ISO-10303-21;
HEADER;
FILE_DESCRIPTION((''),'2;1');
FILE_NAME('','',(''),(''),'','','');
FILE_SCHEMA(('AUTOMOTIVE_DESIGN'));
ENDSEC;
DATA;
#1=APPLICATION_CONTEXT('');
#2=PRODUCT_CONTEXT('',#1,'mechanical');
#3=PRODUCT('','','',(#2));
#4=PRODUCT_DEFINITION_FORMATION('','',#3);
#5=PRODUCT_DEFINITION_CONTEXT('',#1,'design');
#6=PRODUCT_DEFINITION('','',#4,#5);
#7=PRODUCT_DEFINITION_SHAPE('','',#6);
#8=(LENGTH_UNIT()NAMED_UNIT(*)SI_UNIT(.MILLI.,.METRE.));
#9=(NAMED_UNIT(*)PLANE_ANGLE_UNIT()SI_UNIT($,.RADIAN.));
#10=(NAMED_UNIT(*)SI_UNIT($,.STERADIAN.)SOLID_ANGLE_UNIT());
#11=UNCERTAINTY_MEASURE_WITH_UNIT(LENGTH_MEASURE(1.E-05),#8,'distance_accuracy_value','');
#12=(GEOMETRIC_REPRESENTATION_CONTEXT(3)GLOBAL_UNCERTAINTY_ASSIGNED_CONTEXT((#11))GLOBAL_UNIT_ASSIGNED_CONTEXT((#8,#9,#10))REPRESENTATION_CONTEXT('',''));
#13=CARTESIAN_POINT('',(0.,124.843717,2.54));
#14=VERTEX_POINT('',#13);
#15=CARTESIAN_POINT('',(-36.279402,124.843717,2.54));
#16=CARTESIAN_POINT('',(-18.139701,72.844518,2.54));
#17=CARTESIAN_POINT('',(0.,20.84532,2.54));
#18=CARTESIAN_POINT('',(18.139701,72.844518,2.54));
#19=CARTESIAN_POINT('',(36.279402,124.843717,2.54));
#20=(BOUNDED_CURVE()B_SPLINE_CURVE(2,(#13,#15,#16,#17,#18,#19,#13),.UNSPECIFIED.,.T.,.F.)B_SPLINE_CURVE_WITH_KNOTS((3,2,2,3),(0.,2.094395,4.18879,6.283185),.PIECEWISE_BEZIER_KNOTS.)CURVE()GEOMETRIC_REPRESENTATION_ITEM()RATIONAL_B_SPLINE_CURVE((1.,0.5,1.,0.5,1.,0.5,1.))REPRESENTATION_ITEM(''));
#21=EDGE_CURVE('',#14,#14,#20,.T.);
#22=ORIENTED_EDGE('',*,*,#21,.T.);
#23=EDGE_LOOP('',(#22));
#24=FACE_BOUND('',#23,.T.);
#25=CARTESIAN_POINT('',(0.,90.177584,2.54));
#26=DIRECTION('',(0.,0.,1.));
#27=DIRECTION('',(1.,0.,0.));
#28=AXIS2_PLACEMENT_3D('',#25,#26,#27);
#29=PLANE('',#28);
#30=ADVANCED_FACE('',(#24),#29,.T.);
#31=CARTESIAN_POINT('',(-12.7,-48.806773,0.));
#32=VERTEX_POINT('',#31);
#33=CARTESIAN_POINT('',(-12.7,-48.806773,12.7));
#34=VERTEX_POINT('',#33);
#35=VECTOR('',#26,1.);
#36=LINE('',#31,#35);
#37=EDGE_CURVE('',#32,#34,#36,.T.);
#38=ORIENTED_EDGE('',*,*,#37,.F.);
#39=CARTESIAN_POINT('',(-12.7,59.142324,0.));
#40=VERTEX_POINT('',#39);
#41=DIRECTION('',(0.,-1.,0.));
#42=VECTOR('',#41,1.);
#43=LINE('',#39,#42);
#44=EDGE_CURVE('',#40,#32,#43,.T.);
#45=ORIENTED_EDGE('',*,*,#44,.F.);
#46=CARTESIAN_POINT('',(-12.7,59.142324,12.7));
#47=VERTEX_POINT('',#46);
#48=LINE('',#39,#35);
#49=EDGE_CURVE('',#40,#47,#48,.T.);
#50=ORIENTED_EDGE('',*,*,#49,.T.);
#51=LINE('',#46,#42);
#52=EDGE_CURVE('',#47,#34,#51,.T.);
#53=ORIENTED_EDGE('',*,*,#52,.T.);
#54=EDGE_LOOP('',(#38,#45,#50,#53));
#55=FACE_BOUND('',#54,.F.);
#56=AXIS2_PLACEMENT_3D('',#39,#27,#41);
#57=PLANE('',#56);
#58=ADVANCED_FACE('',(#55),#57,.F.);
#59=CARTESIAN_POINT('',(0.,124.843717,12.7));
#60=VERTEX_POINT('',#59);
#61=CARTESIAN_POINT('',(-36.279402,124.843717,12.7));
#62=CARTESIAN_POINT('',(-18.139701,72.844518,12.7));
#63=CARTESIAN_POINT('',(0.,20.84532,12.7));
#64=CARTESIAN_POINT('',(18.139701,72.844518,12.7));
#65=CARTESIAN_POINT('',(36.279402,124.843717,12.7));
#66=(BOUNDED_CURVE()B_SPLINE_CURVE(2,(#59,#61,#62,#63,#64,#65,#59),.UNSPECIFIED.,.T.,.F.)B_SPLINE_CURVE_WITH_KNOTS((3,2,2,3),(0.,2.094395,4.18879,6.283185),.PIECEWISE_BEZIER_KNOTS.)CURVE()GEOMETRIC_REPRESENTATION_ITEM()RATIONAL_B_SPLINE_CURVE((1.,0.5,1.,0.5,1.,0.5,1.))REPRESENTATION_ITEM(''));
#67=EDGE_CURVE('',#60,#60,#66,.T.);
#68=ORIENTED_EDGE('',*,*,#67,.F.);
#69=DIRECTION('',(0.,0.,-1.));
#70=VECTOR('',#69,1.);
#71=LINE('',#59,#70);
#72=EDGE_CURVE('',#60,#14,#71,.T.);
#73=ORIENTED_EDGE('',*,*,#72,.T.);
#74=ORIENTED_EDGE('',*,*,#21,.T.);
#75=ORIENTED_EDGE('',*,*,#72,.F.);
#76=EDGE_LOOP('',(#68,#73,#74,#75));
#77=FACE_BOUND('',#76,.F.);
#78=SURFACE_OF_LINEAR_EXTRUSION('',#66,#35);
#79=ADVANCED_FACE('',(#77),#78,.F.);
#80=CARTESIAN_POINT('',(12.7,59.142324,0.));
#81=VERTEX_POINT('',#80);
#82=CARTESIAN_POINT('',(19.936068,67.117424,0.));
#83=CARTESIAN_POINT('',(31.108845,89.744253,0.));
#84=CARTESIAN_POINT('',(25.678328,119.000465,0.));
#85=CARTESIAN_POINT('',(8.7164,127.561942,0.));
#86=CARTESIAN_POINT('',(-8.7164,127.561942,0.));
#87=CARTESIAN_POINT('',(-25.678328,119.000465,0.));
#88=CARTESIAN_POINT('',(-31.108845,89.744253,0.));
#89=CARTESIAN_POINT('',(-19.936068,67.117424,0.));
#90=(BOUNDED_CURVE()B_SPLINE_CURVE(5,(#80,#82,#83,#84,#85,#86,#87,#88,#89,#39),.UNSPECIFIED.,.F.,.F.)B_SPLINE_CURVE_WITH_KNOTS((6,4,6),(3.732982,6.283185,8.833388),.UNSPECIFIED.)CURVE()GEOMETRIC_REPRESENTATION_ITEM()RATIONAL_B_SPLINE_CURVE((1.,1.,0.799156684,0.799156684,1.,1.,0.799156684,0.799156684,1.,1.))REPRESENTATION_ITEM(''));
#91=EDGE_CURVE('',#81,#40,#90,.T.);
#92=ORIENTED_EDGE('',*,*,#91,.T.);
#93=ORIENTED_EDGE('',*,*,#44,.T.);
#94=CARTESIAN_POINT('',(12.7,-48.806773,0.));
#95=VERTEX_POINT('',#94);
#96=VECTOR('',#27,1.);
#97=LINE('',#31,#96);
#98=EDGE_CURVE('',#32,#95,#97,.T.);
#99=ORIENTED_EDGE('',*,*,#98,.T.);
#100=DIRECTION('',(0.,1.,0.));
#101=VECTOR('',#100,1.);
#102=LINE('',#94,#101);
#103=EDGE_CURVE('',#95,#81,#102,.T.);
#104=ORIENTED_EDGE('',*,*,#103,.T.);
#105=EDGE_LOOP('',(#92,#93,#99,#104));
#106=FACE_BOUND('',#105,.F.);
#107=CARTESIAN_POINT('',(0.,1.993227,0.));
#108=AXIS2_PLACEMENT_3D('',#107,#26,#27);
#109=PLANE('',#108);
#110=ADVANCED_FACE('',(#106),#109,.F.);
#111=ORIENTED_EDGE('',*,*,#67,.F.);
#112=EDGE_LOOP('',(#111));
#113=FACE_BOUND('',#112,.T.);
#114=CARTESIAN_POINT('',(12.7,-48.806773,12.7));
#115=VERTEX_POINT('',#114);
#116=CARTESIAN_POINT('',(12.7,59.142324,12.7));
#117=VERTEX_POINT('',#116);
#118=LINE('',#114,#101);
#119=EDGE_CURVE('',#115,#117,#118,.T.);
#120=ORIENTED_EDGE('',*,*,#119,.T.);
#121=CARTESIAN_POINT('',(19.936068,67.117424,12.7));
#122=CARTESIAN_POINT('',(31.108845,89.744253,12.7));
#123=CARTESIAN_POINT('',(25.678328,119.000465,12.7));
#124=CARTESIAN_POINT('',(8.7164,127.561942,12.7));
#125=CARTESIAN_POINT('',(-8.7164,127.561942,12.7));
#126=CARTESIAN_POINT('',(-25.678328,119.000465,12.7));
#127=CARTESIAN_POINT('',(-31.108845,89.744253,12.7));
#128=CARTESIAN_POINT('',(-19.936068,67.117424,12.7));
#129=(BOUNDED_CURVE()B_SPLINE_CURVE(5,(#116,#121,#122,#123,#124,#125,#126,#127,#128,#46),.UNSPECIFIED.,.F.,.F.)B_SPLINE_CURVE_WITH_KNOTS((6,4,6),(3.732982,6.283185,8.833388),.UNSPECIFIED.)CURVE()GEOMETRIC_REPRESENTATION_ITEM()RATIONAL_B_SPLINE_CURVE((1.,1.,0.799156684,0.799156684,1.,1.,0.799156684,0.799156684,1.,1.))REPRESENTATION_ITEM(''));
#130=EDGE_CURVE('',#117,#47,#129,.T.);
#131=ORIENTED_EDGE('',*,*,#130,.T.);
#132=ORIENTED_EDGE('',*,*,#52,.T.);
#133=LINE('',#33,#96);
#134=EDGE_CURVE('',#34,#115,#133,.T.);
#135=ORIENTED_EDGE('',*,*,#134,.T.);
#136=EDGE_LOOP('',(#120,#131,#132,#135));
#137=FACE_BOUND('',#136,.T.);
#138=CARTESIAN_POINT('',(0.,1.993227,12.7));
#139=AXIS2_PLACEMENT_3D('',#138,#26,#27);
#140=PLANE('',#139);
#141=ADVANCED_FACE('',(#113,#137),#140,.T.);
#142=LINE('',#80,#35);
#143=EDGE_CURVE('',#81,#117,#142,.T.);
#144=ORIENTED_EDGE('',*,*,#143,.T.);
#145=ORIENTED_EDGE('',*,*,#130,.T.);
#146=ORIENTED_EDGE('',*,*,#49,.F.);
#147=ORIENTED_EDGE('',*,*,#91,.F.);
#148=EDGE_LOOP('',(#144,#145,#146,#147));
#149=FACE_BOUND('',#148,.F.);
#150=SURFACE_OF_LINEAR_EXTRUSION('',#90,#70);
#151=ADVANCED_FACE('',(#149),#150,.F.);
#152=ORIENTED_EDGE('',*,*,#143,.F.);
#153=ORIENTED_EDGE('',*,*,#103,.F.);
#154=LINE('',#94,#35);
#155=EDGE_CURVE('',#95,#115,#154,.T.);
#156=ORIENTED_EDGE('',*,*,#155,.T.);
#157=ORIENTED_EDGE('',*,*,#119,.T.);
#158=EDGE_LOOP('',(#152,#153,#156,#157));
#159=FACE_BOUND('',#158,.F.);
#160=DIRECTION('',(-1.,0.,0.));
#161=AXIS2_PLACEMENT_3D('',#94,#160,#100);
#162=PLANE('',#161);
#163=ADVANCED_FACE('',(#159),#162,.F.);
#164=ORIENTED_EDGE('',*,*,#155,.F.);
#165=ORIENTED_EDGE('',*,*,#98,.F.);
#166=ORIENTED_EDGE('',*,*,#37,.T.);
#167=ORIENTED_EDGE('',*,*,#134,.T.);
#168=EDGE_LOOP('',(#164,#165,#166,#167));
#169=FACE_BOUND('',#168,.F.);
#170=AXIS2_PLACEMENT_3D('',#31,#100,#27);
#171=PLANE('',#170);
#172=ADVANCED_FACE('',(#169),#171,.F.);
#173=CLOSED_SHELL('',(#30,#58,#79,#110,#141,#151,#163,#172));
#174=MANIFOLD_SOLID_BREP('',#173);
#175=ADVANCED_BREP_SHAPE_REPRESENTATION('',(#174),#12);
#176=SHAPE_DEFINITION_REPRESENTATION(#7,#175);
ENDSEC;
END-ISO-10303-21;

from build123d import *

# Parameters (mm, degrees)
F1_DEPTH = 12.7
F3_DEPTH = 10.16


with BuildPart() as f1:
    # F0 (on Top) → F1 (new body)
    with BuildSketch(Plane.XY):
        Polygon((-12.7, 52.793227), (-12.7, -48.806773), (12.7, -48.806773), (12.7, 52.793227), (0, 52.793227), align=None)
        with BuildLine():
            Line((-12.7, 59.142324), (-12.7, 52.793227))
            Line((-12.7, 52.793227), (0, 52.793227))
            add(Edge.make_bspline(
                [(-12.7, 59.142324), (-6.939257, 52.793227), (0, 52.793227)],
                knots=[2.550204, 2.550204, 2.550204, 3.141593, 3.141593, 3.141593], degree=2, weights=[1, 0.9566, 1]))
        make_face()
        with BuildLine():
            Line((0, 52.793227), (12.7, 52.793227))
            Line((12.7, 52.793227), (12.7, 59.142324))
            add(Edge.make_bspline(
                [(0, 52.793227), (6.939257, 52.793227), (12.7, 59.142324)],
                knots=[3.141593, 3.141593, 3.141593, 3.732982, 3.732982, 3.732982], degree=2, weights=[1, 0.9566, 1]))
        make_face()
        with BuildLine():
            add(Edge.make_bspline(
                [(-12.7, 59.142324), (-6.939257, 52.793227), (0, 52.793227)],
                knots=[2.550204, 2.550204, 2.550204, 3.141593, 3.141593, 3.141593], degree=2, weights=[1, 0.9566, 1]))
            add(Edge.make_bspline(
                [(0, 52.793227), (6.939257, 52.793227), (12.7, 59.142324)],
                knots=[3.141593, 3.141593, 3.141593, 3.732982, 3.732982, 3.732982], degree=2, weights=[1, 0.9566, 1]))
            add(Edge.make_bspline(
                [(12.7, 59.142324), (74.779348, 127.561942), (0, 127.561942)],
                knots=[3.732982, 3.732982, 3.732982, 6.283185, 6.283185, 6.283185], degree=2, weights=[1, 0.291404, 1]))
            add(Edge.make_bspline(
                [(0, 127.561942), (-74.779348, 127.561942), (-12.7, 59.142324)],
                knots=[0, 0, 0, 2.550204, 2.550204, 2.550204], degree=2, weights=[1, 0.291404, 1]))
        make_face()
    extrude(amount=F1_DEPTH)

    # F2 (on face) → F3 (cut)
    with BuildSketch(Plane.XY.offset(12.7)):
        with BuildLine():
            add(Edge.make_bspline(
                [(0, 124.843717), (-36.279402, 124.843717), (-18.139701, 72.844518), (0, 20.84532), (18.139701, 72.844518), (36.279402, 124.843717), (0, 124.843717)],
                knots=[0, 0, 0, 2.094395, 2.094395, 4.18879, 4.18879, 6.283185, 6.283185, 6.283185], degree=2, weights=[1, 0.5, 1, 0.5, 1, 0.5, 1]))
        make_face()
    extrude(amount=-F3_DEPTH, mode=Mode.SUBTRACT)


solid = f1.part
